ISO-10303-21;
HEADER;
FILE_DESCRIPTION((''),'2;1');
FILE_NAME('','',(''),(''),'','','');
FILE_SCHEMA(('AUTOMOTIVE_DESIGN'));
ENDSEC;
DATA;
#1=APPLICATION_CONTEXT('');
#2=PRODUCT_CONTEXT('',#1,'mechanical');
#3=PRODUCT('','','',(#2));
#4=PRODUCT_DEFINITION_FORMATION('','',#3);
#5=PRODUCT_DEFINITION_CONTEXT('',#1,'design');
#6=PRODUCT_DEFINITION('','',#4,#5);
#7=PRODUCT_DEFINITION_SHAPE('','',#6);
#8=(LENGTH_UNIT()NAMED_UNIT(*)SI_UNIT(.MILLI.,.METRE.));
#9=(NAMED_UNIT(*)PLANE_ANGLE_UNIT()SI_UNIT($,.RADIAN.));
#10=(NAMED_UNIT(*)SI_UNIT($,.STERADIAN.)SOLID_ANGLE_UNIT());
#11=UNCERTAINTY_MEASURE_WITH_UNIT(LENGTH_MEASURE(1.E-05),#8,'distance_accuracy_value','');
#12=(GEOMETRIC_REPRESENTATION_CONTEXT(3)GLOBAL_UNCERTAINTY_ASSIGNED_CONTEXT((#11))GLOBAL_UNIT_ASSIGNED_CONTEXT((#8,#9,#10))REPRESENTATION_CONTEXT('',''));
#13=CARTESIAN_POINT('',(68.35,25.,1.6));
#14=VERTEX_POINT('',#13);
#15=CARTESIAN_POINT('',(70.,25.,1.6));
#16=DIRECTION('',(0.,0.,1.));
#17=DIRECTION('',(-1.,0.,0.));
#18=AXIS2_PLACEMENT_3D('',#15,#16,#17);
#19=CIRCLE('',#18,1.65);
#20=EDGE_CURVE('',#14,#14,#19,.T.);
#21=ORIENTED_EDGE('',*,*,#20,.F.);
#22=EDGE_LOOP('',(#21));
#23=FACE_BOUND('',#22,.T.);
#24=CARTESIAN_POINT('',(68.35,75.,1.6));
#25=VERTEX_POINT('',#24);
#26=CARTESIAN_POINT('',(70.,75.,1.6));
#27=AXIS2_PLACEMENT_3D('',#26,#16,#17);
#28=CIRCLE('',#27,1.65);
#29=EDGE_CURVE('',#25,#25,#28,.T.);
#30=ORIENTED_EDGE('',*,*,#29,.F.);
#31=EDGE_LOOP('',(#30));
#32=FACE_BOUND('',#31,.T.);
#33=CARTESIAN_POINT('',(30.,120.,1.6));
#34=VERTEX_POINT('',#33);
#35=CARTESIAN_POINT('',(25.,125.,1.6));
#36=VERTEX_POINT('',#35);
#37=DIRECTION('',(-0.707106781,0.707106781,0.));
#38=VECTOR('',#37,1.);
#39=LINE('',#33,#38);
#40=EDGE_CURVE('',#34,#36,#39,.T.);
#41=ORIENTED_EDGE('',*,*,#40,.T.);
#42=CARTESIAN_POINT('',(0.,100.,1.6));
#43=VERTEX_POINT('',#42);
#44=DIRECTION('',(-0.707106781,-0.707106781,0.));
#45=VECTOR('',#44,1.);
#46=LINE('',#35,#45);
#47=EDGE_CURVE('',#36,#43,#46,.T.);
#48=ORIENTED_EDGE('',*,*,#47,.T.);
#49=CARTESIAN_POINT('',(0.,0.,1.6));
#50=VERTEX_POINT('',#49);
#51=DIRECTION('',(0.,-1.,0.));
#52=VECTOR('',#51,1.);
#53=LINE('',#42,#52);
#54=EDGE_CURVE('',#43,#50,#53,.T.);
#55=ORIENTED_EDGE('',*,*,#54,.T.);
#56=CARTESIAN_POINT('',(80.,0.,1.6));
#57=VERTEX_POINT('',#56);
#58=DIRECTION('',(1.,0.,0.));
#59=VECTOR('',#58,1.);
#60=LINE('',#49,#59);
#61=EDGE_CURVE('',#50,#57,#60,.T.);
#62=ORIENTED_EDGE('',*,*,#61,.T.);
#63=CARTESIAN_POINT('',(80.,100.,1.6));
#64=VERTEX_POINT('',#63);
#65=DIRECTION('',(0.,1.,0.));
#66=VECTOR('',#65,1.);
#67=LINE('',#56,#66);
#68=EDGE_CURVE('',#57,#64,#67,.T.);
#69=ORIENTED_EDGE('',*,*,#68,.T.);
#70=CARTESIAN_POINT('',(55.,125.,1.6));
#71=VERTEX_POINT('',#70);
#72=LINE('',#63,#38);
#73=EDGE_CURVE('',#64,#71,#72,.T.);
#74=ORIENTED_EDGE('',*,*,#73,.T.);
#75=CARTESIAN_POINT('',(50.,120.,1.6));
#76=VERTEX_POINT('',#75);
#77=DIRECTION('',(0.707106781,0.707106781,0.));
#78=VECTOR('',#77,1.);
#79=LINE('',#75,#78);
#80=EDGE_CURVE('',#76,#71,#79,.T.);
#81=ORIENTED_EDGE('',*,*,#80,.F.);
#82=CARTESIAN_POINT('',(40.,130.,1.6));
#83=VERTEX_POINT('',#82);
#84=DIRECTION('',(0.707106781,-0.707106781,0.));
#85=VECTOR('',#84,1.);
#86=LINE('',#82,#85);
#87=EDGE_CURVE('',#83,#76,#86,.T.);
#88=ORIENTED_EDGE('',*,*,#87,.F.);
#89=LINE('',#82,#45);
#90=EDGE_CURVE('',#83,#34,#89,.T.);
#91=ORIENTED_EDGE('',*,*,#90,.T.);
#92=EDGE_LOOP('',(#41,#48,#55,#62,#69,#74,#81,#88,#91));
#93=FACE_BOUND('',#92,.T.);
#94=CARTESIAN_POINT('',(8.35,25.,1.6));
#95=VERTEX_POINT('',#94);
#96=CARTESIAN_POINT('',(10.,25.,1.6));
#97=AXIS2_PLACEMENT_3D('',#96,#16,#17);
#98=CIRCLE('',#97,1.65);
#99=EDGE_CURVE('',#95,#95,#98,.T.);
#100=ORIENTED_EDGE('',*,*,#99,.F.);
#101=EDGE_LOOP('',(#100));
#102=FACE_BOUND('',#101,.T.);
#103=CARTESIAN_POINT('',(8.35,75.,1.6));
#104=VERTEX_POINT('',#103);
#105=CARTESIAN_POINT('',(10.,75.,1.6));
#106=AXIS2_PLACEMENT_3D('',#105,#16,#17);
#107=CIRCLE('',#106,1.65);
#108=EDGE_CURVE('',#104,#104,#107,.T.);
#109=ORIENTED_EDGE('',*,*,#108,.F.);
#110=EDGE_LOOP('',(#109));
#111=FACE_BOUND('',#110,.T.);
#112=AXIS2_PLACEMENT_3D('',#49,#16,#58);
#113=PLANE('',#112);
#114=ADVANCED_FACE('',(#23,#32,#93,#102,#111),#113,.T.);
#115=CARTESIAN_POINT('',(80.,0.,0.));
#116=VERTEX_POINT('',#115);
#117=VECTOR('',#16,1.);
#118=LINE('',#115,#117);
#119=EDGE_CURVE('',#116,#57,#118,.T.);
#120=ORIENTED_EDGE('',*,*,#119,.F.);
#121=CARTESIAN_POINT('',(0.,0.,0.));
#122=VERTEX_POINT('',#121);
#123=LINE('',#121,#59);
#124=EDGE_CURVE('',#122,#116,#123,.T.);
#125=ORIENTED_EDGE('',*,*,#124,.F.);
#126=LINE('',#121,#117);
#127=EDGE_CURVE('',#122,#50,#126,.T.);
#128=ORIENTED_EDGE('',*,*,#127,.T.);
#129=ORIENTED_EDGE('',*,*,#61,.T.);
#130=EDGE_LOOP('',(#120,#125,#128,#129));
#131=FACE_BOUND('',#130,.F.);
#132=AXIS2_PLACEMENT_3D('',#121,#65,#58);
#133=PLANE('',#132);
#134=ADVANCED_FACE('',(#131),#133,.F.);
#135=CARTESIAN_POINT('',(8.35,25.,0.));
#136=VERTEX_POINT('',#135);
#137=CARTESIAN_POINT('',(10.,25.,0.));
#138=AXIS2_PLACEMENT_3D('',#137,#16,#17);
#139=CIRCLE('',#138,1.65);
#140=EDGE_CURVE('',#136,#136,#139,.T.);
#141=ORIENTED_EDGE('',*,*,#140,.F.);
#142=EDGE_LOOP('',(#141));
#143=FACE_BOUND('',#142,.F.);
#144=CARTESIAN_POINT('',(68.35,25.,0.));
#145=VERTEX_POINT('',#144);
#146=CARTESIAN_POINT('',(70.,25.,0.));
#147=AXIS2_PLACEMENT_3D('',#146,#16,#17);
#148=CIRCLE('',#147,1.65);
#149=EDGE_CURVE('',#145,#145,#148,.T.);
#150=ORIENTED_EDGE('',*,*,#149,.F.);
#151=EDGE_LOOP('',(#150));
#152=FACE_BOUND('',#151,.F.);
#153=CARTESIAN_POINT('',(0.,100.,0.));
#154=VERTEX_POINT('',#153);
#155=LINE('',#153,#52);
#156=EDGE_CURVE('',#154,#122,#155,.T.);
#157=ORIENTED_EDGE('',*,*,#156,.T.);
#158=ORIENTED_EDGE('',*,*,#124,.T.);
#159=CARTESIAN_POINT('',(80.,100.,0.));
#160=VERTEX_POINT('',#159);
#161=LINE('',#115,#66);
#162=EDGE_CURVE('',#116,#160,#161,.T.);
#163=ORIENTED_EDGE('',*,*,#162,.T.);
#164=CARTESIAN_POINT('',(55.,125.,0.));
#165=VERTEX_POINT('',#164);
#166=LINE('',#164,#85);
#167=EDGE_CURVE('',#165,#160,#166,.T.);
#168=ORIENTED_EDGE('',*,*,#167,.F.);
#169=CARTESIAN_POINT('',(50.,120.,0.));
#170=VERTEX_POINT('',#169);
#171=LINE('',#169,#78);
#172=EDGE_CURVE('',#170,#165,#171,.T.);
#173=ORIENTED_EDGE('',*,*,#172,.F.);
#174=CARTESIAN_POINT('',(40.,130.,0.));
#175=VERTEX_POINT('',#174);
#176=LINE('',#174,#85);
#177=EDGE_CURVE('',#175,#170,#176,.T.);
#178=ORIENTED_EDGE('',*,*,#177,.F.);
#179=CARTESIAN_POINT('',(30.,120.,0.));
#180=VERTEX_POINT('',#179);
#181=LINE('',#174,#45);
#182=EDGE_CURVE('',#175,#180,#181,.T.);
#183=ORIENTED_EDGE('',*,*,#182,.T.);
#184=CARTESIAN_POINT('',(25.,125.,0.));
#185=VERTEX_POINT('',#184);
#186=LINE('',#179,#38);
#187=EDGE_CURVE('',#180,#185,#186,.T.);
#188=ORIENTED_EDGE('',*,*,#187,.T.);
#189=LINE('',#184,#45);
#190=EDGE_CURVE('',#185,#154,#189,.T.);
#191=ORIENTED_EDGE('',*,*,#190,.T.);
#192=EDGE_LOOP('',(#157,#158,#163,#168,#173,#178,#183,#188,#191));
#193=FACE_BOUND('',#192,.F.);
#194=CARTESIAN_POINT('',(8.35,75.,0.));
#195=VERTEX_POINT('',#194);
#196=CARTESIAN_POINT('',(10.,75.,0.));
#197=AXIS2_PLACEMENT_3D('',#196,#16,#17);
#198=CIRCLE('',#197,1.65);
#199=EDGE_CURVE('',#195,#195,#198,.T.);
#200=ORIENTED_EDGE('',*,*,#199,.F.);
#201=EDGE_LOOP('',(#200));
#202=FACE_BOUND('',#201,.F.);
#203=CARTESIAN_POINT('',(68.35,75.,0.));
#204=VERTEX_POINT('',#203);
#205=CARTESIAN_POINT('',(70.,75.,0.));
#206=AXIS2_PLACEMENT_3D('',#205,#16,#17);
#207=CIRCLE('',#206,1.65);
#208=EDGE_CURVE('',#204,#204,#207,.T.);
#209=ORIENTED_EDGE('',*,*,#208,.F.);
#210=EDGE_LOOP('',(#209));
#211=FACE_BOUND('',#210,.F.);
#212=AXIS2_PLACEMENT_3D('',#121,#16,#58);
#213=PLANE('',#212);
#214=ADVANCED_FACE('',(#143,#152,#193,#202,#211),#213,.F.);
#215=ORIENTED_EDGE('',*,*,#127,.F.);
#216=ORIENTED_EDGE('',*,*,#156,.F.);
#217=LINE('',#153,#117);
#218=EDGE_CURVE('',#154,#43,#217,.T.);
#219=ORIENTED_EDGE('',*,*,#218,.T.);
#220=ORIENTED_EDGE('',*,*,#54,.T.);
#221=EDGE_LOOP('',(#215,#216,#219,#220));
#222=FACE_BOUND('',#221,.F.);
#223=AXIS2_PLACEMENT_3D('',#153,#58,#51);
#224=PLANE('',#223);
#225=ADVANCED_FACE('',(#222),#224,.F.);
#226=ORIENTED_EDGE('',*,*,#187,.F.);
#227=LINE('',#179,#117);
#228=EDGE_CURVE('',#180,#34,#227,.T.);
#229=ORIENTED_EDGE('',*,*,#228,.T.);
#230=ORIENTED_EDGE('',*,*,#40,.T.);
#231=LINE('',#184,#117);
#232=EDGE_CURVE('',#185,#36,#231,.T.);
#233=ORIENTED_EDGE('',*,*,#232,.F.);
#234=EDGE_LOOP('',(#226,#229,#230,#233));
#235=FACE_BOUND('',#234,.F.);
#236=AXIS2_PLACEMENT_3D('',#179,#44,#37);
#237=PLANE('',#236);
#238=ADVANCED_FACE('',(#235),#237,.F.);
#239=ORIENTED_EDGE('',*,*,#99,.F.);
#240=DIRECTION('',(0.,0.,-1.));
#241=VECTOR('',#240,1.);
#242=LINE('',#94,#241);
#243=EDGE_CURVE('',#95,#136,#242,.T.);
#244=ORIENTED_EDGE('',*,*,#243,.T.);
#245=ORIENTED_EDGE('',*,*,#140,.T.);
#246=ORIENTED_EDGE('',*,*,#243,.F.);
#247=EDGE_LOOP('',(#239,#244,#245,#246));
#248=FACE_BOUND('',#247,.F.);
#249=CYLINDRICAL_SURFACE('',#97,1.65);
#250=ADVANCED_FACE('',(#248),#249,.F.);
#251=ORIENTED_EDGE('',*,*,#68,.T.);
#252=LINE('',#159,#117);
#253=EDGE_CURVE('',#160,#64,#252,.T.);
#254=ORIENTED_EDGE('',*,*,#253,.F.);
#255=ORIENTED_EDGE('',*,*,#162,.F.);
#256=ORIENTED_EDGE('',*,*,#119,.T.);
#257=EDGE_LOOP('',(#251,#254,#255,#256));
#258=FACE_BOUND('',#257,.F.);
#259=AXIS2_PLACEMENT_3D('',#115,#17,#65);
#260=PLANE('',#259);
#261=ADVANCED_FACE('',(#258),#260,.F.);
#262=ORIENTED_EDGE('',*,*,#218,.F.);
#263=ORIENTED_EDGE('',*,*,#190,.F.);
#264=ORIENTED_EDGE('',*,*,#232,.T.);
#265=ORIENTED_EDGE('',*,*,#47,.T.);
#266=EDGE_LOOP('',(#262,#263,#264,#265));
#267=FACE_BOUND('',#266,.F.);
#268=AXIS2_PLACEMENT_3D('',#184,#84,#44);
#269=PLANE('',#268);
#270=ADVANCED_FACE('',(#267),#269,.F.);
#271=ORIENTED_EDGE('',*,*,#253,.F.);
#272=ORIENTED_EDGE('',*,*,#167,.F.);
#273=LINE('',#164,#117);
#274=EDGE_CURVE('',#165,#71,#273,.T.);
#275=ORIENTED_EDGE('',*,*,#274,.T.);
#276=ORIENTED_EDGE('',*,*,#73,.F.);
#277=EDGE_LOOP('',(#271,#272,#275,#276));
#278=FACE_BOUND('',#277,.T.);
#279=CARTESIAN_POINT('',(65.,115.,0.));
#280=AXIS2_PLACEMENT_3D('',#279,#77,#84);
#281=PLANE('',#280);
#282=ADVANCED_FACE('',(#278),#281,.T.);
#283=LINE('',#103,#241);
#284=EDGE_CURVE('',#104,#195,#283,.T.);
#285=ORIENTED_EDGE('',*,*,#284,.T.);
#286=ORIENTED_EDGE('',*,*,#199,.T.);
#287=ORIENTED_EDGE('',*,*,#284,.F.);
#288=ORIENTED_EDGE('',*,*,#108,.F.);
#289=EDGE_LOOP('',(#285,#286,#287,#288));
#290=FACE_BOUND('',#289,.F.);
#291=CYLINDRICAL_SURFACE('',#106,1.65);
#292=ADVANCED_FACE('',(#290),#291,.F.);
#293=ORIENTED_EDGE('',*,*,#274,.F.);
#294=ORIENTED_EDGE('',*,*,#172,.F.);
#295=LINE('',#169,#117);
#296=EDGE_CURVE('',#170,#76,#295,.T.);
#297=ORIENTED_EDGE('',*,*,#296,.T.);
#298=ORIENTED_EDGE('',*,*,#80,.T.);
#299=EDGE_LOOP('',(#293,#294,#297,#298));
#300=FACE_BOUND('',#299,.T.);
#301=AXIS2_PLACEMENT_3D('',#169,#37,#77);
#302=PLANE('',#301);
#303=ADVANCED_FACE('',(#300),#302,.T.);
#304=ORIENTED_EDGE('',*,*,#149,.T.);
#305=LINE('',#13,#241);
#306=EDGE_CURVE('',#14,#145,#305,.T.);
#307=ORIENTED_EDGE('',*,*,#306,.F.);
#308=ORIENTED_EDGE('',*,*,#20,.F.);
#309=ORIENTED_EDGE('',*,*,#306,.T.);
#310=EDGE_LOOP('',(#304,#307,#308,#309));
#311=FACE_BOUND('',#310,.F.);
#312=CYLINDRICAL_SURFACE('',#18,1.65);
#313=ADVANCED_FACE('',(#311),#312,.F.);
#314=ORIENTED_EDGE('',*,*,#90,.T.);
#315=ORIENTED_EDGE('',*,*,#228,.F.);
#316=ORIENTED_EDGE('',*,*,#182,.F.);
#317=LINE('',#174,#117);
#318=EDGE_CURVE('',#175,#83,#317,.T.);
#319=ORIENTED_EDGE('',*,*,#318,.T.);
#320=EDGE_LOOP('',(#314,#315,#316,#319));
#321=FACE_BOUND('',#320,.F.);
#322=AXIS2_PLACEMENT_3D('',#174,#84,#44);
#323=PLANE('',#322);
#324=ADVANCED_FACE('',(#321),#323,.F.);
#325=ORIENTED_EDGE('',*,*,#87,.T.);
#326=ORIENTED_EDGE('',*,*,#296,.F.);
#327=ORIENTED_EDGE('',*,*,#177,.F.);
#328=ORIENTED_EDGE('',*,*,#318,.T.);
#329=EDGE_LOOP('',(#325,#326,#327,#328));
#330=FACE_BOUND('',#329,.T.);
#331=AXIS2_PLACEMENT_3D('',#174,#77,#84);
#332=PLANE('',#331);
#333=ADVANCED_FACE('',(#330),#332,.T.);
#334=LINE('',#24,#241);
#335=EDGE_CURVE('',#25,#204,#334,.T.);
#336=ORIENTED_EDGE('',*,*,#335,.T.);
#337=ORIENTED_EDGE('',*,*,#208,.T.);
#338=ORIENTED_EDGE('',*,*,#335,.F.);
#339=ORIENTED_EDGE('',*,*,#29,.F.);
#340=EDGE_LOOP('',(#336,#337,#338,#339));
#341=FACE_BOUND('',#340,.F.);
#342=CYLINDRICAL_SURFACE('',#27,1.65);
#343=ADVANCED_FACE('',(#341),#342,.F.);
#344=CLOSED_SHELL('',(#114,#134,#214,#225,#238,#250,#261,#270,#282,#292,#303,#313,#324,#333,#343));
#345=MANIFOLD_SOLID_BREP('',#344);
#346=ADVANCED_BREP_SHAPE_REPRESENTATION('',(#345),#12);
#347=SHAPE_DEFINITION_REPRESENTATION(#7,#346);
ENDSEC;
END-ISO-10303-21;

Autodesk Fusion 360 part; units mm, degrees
sketch "Sketch1" plane through (0, 0, 0) normal (0, 0, 1) x (1, 0, 0)
  line L0 (0, 0) -> (80, 0)
  line L1 (80, 0) -> (80, 100)
  line L2 (80, 100) -> (0, 100)
  line L3 (0, 100) -> (0, 0)
  line L4 (40, 100) -> (40, 130)
  line L5 (40, 130) -> (50, 120)
  line L6 (50, 120) -> (55, 125)
  line L7 (55, 125) -> (65, 115)
  line L8 (65, 115) -> (80, 100)
  line L9 (40, 130) -> (30, 120)
  line L10 (30, 120) -> (25, 125)
  line L11 (25, 125) -> (0, 100)
extrude "Extrude1" add sketch "Sketch1" along normal blind 6
extrude "Extrude2" cut 1 faces at (26.6667, 66.6667, 6) along direction (0, 0, -1) blind 4.4
sketch "Sketch2" plane through (0, 0, 1.6) normal (0, 0, 1) x (-1, 0, 0)
  line L0 (-40, -130) -> (-30, -120)
  line L1 (-30, -120) -> (-25, -125)
  line L2 (-25, -125) -> (0, -100)
  line L3 (0, -100) -> (0, 0)
  line L4 (0, 0) -> (-80, 0)
  line L5 (-80, 0) -> (-80, -100)
  line L6 (-80, -100) -> (-55, -125)
  line L7 (-55, -125) -> (-50, -120)
  line L8 (-50, -120) -> (-40, -130)
  line L9 (-80, -100) -> (0, 0) construction
  line L10 (0, -100) -> (-80, 0) construction
  line L11 (-70, -75) -> (-10, -75) construction
  line L12 (-10, -75) -> (-10, -25) construction
  line L13 (-10, -25) -> (-70, -25) construction
  line L14 (-70, -25) -> (-70, -75) construction
  line L15 (-70, -75) -> (-10, -25) construction
  line L16 (-10, -75) -> (-70, -25) construction
  circle A0 centre (-10, -75) radius 1.65
  circle A1 centre (-70, -75) radius 1.65
  circle A2 centre (-10, -25) radius 1.65
  circle A3 centre (-70, -25) radius 1.65
  point P0 (-40, -50)
  dimension "d5" = 60
  dimension "d6" = 50
  dimension "d7" = 3.3
  dimension "d8" = 3.3
  dimension "d9" = 3.3
  dimension "d10" = 3.3
extrude "Extrude3" cut sketch "Sketch2" against normal blind 55 contours A0 | A1 | A2 | A3
sketch "Sketch3" plane through (0, 0, 1.6) normal (0, 0, 1) x (-1, 0, 0)
  circle A0 centre (-10, -25) radius 1.65
  circle A1 centre (-10, -75) radius 1.65
  circle A2 centre (-70, -25) radius 1.65
  circle A3 centre (-70, -75) radius 1.65
  line L0 (-40, -130) -> (-30, -120)
  line L1 (-30, -120) -> (-25, -125)
  line L2 (-25, -125) -> (0, -100)
  line L3 (0, -100) -> (0, 0)
  line L4 (0, 0) -> (-80, 0)
  line L5 (-80, 0) -> (-80, -100)
  line L6 (-80, -100) -> (-55, -125)
  line L7 (-55, -125) -> (-50, -120)
  line L8 (-50, -120) -> (-40, -130)
sketch "Sketch4" plane through (0, 0, 1.6) normal (0, 0, 1) x (1, 0, 0)
